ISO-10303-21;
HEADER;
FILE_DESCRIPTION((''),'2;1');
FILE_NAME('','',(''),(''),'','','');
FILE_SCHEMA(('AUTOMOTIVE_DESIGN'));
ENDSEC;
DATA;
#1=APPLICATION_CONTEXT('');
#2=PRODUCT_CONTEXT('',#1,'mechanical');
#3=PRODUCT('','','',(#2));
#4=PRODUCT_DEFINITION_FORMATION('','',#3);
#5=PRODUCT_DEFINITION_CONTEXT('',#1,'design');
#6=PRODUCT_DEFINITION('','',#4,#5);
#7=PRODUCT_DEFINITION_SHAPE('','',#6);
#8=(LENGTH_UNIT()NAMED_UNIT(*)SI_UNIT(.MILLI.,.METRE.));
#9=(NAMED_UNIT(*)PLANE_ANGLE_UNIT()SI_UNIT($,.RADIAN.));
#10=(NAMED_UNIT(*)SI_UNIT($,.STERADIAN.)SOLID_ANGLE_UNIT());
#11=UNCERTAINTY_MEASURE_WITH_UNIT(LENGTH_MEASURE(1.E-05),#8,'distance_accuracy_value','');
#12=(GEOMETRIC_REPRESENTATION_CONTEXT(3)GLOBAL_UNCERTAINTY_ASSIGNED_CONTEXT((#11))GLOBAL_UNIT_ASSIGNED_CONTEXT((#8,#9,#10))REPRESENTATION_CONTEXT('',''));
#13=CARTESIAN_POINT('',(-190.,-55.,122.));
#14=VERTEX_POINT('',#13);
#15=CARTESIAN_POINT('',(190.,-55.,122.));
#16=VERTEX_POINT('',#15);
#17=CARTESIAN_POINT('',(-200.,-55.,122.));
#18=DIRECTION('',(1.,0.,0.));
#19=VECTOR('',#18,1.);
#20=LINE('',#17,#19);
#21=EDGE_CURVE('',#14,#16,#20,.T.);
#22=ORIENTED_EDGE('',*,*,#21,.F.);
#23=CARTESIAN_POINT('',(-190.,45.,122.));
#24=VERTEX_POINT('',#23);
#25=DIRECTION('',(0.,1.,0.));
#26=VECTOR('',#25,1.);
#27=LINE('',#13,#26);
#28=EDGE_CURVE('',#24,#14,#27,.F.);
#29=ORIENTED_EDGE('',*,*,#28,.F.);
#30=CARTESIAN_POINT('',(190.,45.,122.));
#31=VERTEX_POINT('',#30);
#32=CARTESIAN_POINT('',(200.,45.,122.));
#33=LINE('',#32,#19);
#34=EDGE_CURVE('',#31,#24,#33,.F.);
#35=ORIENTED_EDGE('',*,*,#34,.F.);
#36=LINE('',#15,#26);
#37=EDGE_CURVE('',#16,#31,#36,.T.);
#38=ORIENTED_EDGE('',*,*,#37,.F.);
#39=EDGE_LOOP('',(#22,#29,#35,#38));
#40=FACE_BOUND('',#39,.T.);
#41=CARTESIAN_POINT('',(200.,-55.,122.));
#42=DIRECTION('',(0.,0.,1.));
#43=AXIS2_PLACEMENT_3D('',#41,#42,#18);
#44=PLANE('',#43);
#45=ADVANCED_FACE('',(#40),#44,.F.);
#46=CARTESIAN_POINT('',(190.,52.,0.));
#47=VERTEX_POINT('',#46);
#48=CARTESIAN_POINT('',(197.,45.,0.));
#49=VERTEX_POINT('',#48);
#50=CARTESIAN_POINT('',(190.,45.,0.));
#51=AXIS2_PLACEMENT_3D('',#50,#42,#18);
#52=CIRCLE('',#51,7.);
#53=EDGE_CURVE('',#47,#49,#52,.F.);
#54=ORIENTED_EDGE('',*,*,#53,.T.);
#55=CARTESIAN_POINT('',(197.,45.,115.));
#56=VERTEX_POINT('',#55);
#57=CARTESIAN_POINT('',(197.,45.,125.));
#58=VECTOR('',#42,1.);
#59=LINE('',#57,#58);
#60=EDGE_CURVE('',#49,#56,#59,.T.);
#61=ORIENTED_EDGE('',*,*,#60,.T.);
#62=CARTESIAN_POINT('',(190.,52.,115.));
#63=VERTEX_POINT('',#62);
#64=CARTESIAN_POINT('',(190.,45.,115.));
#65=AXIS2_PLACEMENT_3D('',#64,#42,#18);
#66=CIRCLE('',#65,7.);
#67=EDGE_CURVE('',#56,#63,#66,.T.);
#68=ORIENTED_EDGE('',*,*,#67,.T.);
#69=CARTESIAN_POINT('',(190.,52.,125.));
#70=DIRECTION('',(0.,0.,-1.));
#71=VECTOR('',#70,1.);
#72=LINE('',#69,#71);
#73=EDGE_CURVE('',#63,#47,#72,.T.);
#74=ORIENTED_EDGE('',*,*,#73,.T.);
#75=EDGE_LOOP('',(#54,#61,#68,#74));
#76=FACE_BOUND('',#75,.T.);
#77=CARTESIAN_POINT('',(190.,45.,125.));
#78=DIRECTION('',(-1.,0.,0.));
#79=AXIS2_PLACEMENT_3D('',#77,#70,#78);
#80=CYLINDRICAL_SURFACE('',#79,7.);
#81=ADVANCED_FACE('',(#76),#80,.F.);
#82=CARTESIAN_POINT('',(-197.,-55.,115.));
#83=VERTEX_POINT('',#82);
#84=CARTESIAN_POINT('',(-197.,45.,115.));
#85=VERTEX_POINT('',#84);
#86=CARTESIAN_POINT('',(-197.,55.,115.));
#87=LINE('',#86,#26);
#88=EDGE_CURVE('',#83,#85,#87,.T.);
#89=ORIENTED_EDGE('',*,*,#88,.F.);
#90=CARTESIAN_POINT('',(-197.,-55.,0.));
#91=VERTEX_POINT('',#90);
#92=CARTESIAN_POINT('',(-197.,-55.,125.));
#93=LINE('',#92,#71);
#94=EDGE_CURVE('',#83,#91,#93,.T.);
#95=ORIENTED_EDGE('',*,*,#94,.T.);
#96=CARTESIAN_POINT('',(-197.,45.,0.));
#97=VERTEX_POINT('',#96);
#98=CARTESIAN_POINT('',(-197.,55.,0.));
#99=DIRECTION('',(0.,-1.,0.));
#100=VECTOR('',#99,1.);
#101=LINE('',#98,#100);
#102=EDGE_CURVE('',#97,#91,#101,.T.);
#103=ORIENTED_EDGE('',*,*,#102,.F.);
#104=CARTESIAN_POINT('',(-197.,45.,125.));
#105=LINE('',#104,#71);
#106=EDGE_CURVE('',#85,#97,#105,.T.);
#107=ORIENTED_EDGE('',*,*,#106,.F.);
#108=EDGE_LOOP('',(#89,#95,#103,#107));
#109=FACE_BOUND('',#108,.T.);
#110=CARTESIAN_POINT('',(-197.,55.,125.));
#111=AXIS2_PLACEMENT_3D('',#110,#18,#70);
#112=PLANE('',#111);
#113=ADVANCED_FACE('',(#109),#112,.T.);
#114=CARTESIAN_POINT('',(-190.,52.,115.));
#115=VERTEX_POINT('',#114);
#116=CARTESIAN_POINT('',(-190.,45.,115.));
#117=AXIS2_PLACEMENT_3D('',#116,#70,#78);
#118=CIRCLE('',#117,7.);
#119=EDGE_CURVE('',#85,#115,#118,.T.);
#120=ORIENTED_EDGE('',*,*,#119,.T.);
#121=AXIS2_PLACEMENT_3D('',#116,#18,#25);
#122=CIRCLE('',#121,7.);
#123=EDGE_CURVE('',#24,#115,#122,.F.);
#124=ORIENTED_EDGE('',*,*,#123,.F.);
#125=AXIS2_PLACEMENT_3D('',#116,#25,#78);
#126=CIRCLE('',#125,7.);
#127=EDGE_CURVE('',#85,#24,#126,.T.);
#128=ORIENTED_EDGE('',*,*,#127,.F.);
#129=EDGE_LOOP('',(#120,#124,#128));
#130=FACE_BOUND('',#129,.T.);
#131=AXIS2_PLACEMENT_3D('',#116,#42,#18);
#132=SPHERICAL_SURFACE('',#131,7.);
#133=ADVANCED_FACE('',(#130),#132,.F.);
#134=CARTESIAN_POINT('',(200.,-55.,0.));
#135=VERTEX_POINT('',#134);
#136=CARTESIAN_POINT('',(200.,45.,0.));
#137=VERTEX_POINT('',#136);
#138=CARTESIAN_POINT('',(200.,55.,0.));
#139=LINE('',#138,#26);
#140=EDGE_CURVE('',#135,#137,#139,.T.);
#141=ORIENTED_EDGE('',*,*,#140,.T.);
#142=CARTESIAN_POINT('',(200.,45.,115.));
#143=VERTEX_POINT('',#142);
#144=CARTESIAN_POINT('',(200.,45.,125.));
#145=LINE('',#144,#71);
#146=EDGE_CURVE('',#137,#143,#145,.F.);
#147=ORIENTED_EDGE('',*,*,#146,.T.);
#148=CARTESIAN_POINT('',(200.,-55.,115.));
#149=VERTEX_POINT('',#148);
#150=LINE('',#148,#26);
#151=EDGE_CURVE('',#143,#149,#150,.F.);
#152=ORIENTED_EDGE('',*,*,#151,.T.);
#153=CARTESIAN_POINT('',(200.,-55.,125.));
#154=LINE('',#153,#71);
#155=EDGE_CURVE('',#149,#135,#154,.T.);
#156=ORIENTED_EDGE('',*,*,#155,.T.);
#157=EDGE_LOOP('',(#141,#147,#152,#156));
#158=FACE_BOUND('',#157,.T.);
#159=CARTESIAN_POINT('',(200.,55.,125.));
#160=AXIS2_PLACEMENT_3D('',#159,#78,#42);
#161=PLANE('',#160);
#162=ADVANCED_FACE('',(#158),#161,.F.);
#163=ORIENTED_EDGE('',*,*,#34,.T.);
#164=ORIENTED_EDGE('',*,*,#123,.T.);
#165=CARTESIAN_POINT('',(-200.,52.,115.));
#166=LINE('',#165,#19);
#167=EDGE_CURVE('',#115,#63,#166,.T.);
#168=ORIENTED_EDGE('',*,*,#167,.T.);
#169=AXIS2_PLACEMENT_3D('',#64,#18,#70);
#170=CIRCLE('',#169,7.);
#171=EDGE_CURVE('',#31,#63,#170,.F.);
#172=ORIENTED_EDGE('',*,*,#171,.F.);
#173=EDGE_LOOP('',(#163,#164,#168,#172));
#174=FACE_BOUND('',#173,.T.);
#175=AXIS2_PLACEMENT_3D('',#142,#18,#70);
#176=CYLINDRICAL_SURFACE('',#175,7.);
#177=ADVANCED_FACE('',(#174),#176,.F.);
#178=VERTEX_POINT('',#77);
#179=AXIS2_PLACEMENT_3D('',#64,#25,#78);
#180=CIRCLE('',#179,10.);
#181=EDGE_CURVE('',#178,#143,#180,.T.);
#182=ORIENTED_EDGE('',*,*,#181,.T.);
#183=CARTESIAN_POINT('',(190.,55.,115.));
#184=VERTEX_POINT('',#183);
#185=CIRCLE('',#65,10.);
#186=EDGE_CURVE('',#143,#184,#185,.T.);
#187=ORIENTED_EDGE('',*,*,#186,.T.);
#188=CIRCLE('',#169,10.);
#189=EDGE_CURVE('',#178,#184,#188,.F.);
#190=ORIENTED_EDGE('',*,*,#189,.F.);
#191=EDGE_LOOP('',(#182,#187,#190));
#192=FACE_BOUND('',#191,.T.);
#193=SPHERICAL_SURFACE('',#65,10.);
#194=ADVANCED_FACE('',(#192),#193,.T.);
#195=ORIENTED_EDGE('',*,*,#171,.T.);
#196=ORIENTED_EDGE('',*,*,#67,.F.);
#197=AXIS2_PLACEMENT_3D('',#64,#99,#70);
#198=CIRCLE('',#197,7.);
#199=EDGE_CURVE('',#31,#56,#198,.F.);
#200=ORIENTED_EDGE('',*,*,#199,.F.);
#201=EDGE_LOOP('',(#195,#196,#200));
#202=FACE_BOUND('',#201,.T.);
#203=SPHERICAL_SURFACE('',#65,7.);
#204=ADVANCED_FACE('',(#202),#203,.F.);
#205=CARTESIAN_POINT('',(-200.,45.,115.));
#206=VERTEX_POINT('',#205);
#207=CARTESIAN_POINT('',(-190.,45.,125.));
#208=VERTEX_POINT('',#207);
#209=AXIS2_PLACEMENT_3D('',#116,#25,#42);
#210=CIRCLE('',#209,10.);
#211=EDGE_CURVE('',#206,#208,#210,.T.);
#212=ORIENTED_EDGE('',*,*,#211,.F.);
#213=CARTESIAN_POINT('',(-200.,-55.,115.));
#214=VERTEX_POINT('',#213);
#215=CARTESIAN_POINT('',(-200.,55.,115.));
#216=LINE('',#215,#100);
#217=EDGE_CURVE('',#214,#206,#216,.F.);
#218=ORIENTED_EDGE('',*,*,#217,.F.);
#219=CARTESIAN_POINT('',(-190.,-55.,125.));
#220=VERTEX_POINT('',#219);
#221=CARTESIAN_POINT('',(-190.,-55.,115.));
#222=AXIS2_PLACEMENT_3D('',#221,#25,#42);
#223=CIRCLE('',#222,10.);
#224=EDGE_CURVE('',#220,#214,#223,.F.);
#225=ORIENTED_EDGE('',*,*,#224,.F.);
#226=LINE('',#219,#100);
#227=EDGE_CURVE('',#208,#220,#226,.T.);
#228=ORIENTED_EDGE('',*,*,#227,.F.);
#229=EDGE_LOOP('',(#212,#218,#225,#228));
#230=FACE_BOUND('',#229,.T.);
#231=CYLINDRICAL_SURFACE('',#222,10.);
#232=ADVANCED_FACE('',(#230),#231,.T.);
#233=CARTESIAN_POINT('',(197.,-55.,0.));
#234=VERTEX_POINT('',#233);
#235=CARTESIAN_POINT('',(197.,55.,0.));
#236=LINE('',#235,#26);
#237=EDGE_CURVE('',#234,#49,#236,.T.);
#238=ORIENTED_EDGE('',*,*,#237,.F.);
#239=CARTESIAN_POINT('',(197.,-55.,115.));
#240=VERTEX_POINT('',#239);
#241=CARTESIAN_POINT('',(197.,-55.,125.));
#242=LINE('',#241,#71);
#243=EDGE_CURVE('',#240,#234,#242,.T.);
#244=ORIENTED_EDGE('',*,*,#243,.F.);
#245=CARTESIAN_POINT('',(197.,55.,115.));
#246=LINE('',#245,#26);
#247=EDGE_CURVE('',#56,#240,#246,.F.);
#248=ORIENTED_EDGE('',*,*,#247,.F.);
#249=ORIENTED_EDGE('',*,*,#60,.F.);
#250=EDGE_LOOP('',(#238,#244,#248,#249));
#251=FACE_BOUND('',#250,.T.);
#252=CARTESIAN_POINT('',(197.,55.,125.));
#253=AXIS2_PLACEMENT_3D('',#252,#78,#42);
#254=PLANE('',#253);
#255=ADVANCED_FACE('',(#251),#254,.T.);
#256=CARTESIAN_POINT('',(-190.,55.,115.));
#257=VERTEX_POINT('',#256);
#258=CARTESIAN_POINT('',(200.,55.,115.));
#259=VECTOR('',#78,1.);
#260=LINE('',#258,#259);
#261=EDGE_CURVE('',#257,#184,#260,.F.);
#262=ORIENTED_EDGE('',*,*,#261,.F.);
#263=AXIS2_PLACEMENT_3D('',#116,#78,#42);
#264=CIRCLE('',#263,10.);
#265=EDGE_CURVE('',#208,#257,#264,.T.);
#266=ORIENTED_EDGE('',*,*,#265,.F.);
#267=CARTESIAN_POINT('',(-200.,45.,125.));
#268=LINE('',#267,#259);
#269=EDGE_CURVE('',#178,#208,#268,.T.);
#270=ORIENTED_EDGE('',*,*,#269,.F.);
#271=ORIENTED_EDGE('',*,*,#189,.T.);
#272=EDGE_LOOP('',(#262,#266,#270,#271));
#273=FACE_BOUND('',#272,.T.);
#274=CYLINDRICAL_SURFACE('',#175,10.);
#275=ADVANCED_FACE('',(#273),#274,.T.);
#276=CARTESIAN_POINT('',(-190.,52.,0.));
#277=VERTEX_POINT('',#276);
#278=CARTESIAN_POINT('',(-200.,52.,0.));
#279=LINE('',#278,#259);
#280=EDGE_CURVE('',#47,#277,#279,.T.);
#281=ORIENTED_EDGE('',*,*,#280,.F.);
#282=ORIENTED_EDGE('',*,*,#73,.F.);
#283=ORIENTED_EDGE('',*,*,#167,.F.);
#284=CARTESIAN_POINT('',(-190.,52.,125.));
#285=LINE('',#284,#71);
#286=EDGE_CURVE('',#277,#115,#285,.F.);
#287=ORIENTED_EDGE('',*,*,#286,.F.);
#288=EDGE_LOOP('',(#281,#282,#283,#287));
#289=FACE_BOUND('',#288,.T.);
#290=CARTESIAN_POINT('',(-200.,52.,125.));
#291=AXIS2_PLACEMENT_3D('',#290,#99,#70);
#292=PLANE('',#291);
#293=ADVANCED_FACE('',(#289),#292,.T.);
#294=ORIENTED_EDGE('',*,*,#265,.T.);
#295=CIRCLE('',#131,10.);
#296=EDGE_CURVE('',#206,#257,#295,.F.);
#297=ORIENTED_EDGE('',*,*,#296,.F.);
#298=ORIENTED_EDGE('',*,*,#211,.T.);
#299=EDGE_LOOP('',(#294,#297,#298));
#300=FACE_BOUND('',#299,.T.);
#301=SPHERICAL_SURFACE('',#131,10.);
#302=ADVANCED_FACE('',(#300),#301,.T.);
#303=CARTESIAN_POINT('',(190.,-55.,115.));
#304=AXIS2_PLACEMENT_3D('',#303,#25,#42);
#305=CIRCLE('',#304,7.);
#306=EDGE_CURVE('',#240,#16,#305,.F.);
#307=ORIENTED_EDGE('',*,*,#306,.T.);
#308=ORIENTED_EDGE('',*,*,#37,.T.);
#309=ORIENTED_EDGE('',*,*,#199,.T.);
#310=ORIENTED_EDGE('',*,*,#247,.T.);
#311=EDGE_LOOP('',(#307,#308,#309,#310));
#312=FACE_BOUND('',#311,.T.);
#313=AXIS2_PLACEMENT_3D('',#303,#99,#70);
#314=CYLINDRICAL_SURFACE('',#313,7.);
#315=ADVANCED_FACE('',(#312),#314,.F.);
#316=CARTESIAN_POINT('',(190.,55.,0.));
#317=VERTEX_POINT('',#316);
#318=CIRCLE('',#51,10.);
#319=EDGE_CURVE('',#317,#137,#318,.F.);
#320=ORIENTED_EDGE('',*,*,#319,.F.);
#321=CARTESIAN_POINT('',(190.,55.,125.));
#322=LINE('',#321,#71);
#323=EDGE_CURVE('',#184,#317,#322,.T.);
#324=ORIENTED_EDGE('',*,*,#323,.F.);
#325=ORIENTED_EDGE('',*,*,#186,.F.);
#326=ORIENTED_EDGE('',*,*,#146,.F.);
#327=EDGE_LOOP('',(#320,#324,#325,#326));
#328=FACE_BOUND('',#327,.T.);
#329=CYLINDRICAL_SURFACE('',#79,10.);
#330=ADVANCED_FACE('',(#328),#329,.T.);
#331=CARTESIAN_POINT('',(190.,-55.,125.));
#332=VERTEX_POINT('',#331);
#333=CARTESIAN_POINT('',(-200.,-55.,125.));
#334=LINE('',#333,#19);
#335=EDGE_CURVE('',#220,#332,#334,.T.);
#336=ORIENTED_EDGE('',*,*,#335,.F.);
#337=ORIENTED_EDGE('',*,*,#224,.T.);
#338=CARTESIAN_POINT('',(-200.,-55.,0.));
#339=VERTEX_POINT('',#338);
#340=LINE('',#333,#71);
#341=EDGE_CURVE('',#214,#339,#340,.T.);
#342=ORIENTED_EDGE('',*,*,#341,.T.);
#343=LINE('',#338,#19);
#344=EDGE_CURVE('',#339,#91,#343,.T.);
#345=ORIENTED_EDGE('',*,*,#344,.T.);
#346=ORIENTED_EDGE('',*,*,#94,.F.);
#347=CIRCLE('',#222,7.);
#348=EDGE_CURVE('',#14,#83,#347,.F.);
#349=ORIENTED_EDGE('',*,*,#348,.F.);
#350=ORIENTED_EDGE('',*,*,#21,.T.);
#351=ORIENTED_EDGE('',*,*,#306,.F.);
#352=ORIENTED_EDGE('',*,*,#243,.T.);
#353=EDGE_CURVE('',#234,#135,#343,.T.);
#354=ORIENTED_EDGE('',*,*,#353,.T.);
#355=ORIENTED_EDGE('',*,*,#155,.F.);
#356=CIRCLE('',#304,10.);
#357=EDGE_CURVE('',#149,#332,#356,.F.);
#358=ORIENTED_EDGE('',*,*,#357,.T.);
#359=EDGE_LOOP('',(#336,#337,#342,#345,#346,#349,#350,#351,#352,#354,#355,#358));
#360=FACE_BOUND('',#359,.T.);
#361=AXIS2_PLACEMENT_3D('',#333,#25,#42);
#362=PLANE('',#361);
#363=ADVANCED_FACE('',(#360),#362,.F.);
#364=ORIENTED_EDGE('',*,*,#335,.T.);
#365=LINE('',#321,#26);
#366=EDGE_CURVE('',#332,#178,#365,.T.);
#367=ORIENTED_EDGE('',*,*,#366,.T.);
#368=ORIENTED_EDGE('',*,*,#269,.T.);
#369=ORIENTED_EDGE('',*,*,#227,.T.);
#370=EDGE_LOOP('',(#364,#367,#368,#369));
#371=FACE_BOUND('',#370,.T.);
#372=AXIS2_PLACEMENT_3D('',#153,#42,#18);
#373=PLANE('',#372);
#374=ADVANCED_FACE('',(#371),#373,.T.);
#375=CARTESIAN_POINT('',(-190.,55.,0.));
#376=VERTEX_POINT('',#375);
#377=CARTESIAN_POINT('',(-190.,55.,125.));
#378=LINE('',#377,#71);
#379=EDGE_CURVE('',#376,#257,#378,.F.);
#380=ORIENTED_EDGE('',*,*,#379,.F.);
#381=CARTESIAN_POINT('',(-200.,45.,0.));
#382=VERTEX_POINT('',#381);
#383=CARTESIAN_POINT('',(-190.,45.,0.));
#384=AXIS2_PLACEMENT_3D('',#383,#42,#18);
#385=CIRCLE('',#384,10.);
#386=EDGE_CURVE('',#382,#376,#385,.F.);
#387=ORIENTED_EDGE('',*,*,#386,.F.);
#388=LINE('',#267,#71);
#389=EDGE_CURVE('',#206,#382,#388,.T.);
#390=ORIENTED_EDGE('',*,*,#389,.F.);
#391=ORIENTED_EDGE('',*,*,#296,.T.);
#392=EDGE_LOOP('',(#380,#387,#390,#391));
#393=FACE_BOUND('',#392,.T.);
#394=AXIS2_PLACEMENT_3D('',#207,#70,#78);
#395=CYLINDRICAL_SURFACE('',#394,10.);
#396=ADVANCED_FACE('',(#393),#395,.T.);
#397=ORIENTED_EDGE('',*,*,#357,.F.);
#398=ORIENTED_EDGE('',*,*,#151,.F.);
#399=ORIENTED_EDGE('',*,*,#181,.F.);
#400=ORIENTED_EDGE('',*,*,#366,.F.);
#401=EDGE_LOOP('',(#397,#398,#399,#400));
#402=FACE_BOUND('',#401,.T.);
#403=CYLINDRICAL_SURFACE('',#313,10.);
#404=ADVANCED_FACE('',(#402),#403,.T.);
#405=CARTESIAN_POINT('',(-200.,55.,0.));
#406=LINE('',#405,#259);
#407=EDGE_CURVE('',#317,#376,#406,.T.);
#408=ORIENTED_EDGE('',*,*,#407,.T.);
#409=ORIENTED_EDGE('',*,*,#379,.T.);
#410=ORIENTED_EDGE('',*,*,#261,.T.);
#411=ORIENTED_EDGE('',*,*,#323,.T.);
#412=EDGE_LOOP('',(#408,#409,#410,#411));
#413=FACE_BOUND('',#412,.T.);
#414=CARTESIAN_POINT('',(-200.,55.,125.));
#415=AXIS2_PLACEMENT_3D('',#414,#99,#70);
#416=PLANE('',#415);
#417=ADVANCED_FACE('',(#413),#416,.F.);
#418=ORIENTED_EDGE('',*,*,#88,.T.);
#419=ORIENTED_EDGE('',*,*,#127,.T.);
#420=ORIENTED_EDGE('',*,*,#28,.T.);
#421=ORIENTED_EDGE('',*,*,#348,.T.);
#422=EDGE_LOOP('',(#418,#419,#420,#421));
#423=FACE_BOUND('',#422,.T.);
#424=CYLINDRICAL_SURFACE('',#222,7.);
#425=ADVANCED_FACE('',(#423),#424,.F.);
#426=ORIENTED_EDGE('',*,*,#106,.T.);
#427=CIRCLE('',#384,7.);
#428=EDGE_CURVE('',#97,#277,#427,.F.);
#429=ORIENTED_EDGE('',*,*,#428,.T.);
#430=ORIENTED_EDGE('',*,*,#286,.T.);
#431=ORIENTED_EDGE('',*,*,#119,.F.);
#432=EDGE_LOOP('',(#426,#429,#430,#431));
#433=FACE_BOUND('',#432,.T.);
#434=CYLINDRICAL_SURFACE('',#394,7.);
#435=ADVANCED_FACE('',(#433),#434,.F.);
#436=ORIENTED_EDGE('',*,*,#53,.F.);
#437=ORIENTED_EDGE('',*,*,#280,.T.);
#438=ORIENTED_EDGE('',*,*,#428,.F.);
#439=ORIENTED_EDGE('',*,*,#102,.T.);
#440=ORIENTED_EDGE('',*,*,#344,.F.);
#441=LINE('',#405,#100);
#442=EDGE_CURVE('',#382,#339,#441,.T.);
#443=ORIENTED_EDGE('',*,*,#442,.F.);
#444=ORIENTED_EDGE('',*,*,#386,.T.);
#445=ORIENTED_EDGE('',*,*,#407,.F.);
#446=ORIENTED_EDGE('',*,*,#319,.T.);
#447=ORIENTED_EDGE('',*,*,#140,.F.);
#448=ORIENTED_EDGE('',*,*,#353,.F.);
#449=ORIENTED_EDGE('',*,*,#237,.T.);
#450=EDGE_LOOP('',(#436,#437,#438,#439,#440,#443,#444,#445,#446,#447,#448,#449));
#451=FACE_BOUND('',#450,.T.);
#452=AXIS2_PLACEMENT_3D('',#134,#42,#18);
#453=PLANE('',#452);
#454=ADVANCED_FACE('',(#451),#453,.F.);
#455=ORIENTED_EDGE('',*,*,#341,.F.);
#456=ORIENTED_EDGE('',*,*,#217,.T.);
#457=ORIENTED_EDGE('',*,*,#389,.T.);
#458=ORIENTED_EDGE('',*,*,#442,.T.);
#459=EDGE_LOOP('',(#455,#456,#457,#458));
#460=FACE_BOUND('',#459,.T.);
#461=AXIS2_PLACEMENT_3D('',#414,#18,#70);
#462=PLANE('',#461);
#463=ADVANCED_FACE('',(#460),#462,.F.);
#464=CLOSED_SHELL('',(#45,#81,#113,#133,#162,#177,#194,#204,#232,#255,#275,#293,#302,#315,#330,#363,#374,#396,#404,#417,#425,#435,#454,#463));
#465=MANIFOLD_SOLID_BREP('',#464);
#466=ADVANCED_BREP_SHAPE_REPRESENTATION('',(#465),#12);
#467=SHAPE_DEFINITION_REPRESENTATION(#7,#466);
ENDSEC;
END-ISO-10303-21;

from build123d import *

# Parameters (mm, degrees)
SKETCH_1_W      = 400
SKETCH_1_H      = 110
EXTRUDE_1_DEPTH = 125
FILLET_1_R      = 10
SHELL_1_T       = -3


with BuildPart() as part:
    # 草图1 → 凸台-拉伸1 (new body)
    with BuildSketch(Plane.XY):
        Rectangle(SKETCH_1_W, SKETCH_1_H)
    extrude(amount=EXTRUDE_1_DEPTH)

    # 圆角1
    fillet_1_edges = [part.edges().sort_by_distance(p)[0] for p in [
        (-200, 0, 125),
        (200, 0, 125),
        (0, 55, 125),
        (-200, 55, 62.5),
        (200, 55, 62.5),
    ]]
    fillet(fillet_1_edges, radius=FILLET_1_R)

    # 抽壳1
    shell_1_openings = [part.faces().sort_by_distance(p)[0] for p in [
        (0, 15.690355937, 0),
        (0, -55, 80.690355937),
    ]]
    offset(amount=SHELL_1_T, openings=shell_1_openings, kind=Kind.INTERSECTION)


solid = part.part
